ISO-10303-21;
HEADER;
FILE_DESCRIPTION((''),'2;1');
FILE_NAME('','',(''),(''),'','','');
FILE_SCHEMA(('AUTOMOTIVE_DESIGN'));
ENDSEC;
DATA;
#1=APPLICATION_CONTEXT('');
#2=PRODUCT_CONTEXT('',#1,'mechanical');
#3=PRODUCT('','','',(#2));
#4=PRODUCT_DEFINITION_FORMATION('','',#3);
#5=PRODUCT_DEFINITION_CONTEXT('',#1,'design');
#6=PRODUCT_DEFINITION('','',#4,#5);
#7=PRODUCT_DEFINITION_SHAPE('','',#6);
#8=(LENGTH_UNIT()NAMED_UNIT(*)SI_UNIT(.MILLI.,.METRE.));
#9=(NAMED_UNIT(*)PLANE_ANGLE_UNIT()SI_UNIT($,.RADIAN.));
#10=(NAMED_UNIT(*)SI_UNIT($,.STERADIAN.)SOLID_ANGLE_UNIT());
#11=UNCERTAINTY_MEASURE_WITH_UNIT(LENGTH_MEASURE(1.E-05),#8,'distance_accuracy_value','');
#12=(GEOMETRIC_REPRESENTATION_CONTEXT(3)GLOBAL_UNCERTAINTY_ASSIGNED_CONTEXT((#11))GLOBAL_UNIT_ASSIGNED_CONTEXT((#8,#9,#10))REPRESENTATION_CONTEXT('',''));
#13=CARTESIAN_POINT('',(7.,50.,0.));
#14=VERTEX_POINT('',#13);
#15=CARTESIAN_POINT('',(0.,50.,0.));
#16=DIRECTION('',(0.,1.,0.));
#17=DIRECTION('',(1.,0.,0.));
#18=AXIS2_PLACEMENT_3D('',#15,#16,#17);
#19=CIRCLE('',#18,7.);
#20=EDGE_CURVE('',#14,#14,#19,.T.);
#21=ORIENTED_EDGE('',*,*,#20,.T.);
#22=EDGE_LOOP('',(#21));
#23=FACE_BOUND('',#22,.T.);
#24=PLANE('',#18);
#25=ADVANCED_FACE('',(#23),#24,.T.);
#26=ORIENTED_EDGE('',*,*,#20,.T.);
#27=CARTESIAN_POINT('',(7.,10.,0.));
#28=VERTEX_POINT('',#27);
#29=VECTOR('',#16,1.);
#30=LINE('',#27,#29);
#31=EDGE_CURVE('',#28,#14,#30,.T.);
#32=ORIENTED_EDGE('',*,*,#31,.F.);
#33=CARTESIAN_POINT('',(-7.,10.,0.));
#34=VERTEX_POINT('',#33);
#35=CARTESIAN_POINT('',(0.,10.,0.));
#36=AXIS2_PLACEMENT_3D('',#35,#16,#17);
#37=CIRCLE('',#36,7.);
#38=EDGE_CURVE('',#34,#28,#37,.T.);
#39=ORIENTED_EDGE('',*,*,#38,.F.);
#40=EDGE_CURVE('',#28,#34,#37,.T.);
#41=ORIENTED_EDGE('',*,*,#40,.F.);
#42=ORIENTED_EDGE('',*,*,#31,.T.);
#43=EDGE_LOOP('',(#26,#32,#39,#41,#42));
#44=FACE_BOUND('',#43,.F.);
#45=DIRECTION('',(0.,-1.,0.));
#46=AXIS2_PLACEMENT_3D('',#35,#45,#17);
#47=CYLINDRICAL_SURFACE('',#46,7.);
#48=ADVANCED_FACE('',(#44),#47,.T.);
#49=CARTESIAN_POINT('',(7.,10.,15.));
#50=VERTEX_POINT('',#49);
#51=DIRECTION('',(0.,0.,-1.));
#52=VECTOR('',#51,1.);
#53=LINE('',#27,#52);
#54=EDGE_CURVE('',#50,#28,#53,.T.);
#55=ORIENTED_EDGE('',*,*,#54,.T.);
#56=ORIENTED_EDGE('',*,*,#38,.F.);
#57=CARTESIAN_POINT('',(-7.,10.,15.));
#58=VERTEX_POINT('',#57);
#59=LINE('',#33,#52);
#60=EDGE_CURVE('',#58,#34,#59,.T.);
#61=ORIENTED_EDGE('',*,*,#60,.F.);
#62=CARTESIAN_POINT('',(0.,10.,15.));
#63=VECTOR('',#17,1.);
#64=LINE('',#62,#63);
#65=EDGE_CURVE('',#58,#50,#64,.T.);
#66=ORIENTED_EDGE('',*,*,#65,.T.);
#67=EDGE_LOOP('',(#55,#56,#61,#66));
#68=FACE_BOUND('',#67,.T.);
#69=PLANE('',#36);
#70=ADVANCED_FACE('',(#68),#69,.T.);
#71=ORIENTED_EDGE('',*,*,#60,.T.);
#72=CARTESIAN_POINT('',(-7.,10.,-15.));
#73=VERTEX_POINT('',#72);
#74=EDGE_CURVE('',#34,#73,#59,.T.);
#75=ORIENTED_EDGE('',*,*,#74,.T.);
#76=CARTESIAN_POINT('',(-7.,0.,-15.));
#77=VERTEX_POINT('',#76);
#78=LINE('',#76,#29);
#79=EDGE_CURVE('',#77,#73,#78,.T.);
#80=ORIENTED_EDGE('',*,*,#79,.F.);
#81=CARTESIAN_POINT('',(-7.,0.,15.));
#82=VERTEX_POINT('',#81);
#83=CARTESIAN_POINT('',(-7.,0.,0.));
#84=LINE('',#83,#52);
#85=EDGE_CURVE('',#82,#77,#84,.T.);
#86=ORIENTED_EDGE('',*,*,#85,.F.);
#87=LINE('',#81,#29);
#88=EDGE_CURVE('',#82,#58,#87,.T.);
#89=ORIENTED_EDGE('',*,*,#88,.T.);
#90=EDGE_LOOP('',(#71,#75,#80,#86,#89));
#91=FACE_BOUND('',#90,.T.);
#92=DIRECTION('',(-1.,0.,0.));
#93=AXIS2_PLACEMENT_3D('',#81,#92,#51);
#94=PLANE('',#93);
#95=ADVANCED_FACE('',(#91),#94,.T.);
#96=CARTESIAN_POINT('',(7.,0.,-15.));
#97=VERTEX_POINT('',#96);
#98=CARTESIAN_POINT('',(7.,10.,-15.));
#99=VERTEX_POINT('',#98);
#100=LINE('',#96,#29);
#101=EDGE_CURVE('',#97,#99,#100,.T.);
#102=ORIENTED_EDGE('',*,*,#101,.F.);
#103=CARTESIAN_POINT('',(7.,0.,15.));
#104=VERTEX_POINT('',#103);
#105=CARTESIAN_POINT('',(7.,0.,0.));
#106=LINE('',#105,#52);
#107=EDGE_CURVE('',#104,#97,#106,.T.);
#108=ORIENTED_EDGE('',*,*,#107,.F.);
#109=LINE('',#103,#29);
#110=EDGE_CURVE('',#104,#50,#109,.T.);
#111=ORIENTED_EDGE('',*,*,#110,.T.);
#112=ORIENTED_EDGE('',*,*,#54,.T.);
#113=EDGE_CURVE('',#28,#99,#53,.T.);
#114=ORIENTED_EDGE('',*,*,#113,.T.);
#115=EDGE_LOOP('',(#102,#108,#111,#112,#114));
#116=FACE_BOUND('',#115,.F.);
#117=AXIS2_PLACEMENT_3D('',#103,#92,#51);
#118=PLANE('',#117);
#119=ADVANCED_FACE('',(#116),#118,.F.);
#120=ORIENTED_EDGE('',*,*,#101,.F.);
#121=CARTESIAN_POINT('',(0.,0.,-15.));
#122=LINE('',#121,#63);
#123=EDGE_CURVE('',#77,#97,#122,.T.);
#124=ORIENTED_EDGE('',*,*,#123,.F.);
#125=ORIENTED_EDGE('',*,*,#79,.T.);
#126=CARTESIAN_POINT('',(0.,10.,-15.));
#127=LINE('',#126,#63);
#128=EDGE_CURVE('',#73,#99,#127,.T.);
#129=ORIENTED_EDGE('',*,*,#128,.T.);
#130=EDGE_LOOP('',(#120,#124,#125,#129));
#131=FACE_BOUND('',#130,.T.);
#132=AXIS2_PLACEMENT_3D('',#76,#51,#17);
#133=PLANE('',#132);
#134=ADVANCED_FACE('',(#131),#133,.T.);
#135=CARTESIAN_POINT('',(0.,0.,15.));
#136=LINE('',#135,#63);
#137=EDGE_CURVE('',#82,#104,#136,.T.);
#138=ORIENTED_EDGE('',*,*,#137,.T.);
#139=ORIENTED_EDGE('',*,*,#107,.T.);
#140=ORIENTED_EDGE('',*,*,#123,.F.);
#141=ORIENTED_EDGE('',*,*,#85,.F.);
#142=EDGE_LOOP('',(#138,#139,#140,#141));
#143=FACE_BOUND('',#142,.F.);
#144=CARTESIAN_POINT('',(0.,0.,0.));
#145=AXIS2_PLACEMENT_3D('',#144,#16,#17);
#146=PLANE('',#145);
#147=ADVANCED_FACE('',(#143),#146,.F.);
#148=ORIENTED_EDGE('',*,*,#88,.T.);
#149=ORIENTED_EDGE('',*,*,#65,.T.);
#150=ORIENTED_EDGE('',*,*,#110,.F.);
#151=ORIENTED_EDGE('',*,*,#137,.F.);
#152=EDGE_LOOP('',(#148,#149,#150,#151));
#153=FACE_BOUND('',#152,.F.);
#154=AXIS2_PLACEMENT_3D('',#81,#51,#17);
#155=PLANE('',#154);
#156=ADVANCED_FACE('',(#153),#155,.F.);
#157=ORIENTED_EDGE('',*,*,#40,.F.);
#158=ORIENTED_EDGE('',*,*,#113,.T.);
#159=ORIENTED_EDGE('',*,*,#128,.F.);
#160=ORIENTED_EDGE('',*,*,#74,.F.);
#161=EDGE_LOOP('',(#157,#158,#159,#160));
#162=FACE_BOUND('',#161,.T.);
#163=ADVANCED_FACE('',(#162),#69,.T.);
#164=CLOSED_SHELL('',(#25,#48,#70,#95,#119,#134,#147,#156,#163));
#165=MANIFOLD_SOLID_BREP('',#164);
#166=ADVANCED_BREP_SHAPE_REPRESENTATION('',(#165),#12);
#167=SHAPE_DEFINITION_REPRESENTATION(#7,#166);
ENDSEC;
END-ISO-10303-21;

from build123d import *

# Parameters (mm, degrees)
SKETCH1_W           = 14
SKETCH1_H           = 30
BOSS_EXTRUDE1_DEPTH = 10
SKETCH2_R           = 7
BOSS_EXTRUDE2_DEPTH = 40


with BuildPart() as part:
    # Sketch1 → Boss-Extrude1 (new body)
    with BuildSketch(Plane(origin=(0, 0, 0), x_dir=(1, 0, 0), z_dir=(0, 1, 0))):
        Rectangle(SKETCH1_W, SKETCH1_H)
    extrude(amount=BOSS_EXTRUDE1_DEPTH)

    # Sketch2 → Boss-Extrude2 (add)
    with BuildSketch(Plane(origin=(0, 10, 0), x_dir=(1, 0, 0), z_dir=(0, 1, 0))):
        Circle(SKETCH2_R)
    extrude(amount=BOSS_EXTRUDE2_DEPTH)


solid = part.part
